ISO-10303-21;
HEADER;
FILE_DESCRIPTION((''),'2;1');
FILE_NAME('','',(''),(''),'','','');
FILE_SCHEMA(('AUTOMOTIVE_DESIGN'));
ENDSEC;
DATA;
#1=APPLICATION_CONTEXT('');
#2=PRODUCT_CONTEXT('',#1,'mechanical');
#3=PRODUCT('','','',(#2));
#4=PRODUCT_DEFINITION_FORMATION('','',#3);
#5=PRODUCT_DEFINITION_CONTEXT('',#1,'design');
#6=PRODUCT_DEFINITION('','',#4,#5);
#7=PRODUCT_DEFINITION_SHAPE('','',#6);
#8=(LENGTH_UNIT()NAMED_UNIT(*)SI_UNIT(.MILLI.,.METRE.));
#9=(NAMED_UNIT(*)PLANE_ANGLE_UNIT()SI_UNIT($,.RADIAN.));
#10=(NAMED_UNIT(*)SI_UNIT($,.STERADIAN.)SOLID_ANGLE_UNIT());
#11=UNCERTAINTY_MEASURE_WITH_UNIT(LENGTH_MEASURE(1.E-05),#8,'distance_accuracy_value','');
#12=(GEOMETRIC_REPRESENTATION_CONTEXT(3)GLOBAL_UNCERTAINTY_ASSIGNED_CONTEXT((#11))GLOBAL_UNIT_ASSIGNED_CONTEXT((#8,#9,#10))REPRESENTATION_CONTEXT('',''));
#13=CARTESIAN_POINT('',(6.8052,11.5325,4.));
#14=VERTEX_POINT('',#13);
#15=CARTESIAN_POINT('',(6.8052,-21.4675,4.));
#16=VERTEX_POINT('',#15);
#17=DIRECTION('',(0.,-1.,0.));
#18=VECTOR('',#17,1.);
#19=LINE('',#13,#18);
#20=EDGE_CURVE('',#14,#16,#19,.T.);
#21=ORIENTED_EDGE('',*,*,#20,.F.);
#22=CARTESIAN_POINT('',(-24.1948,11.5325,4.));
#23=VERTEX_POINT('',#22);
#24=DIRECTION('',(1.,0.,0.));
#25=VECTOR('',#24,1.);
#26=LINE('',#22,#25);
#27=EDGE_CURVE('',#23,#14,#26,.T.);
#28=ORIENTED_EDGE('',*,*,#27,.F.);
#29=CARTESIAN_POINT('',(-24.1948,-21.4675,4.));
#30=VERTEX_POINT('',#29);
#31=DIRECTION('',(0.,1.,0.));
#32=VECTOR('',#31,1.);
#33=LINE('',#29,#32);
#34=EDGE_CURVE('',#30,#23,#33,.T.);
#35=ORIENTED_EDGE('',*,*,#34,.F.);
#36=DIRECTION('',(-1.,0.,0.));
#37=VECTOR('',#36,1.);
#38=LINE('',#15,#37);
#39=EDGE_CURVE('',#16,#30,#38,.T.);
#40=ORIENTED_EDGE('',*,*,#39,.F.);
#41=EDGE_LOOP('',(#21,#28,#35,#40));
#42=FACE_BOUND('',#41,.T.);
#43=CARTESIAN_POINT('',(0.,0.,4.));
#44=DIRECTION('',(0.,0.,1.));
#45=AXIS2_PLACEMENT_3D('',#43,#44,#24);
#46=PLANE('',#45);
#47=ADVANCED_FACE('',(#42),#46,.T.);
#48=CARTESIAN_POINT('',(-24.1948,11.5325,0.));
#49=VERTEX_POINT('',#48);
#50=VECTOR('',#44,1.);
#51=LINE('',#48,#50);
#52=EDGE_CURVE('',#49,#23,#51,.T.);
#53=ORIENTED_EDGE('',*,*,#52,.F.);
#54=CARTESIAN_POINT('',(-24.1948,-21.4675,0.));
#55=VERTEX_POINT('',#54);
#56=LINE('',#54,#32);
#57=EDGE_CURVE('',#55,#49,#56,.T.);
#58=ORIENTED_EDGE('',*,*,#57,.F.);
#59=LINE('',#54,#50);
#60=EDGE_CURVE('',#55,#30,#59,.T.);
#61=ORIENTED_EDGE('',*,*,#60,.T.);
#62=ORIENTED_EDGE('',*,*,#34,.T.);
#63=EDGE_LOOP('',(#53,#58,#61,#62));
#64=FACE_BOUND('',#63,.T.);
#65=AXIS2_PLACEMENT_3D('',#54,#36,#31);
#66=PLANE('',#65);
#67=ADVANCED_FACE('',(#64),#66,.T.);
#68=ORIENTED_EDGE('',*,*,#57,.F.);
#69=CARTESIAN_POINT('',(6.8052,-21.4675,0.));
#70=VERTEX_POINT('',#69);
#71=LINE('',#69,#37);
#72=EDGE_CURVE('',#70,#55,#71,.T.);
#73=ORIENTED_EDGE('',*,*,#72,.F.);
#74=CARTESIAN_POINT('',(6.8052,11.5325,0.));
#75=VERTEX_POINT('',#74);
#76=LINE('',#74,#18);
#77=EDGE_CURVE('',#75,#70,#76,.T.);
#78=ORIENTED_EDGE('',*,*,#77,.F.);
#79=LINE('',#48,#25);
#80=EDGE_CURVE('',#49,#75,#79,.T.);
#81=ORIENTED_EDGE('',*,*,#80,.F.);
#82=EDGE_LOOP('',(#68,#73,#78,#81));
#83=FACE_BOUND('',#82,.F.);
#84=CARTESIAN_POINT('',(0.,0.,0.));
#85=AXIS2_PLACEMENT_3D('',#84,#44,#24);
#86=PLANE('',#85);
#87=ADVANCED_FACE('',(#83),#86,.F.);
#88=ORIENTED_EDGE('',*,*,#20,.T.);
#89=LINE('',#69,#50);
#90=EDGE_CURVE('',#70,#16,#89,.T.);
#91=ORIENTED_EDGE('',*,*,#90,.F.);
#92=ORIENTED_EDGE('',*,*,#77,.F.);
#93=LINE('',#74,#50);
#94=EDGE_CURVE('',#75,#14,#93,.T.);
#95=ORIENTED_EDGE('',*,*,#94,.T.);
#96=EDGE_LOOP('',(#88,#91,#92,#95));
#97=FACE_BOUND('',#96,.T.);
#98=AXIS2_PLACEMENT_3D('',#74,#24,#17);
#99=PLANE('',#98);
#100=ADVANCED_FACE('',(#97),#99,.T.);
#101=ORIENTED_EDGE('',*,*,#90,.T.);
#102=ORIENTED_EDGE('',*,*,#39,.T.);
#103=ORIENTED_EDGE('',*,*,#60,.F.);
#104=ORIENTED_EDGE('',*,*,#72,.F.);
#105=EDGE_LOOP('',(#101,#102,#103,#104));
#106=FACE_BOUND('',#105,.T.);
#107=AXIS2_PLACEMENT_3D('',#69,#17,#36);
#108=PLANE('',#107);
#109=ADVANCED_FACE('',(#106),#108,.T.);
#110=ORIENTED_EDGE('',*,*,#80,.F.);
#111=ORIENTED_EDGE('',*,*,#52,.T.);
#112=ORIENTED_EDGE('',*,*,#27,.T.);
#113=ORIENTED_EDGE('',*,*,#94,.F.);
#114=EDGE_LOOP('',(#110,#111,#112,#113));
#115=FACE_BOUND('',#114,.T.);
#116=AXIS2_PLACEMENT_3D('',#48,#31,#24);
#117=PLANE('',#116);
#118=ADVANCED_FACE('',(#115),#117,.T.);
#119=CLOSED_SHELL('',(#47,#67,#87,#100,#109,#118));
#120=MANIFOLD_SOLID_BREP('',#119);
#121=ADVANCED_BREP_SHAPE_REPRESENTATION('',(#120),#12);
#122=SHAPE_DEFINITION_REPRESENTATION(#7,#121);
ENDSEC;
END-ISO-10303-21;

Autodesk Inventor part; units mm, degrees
ref_plane "YZ Plane" through (0, 0, 0) normal (1, 0, 0) x (0, 1, 0)
ref_plane "XZ Plane" through (0, 0, 0) normal (0, 1, 0) x (-1, 0, 0)
ref_plane "XY Plane" through (0, 0, 0) normal (0, 0, 1) x (1, 0, 0)
sketch "Skizze1" plane through (0, 0, 0) normal (0, 0, 1) x (1, 0, 0)
  line L0 (-24.1948, 11.5325) -> (6.8052, 11.5325)
  line L1 (6.8052, 11.5325) -> (6.8052, -21.4675)
  line L2 (6.8052, -21.4675) -> (-24.1948, -21.4675)
  line L3 (-24.1948, -21.4675) -> (-24.1948, 11.5325)
  point P0 (0, 0)
  dimension "d0" = 33
  dimension "d1" = 31
extrude "Extrusion1" add sketch "Skizze1" along normal blind 4
properties part number "Battery"
